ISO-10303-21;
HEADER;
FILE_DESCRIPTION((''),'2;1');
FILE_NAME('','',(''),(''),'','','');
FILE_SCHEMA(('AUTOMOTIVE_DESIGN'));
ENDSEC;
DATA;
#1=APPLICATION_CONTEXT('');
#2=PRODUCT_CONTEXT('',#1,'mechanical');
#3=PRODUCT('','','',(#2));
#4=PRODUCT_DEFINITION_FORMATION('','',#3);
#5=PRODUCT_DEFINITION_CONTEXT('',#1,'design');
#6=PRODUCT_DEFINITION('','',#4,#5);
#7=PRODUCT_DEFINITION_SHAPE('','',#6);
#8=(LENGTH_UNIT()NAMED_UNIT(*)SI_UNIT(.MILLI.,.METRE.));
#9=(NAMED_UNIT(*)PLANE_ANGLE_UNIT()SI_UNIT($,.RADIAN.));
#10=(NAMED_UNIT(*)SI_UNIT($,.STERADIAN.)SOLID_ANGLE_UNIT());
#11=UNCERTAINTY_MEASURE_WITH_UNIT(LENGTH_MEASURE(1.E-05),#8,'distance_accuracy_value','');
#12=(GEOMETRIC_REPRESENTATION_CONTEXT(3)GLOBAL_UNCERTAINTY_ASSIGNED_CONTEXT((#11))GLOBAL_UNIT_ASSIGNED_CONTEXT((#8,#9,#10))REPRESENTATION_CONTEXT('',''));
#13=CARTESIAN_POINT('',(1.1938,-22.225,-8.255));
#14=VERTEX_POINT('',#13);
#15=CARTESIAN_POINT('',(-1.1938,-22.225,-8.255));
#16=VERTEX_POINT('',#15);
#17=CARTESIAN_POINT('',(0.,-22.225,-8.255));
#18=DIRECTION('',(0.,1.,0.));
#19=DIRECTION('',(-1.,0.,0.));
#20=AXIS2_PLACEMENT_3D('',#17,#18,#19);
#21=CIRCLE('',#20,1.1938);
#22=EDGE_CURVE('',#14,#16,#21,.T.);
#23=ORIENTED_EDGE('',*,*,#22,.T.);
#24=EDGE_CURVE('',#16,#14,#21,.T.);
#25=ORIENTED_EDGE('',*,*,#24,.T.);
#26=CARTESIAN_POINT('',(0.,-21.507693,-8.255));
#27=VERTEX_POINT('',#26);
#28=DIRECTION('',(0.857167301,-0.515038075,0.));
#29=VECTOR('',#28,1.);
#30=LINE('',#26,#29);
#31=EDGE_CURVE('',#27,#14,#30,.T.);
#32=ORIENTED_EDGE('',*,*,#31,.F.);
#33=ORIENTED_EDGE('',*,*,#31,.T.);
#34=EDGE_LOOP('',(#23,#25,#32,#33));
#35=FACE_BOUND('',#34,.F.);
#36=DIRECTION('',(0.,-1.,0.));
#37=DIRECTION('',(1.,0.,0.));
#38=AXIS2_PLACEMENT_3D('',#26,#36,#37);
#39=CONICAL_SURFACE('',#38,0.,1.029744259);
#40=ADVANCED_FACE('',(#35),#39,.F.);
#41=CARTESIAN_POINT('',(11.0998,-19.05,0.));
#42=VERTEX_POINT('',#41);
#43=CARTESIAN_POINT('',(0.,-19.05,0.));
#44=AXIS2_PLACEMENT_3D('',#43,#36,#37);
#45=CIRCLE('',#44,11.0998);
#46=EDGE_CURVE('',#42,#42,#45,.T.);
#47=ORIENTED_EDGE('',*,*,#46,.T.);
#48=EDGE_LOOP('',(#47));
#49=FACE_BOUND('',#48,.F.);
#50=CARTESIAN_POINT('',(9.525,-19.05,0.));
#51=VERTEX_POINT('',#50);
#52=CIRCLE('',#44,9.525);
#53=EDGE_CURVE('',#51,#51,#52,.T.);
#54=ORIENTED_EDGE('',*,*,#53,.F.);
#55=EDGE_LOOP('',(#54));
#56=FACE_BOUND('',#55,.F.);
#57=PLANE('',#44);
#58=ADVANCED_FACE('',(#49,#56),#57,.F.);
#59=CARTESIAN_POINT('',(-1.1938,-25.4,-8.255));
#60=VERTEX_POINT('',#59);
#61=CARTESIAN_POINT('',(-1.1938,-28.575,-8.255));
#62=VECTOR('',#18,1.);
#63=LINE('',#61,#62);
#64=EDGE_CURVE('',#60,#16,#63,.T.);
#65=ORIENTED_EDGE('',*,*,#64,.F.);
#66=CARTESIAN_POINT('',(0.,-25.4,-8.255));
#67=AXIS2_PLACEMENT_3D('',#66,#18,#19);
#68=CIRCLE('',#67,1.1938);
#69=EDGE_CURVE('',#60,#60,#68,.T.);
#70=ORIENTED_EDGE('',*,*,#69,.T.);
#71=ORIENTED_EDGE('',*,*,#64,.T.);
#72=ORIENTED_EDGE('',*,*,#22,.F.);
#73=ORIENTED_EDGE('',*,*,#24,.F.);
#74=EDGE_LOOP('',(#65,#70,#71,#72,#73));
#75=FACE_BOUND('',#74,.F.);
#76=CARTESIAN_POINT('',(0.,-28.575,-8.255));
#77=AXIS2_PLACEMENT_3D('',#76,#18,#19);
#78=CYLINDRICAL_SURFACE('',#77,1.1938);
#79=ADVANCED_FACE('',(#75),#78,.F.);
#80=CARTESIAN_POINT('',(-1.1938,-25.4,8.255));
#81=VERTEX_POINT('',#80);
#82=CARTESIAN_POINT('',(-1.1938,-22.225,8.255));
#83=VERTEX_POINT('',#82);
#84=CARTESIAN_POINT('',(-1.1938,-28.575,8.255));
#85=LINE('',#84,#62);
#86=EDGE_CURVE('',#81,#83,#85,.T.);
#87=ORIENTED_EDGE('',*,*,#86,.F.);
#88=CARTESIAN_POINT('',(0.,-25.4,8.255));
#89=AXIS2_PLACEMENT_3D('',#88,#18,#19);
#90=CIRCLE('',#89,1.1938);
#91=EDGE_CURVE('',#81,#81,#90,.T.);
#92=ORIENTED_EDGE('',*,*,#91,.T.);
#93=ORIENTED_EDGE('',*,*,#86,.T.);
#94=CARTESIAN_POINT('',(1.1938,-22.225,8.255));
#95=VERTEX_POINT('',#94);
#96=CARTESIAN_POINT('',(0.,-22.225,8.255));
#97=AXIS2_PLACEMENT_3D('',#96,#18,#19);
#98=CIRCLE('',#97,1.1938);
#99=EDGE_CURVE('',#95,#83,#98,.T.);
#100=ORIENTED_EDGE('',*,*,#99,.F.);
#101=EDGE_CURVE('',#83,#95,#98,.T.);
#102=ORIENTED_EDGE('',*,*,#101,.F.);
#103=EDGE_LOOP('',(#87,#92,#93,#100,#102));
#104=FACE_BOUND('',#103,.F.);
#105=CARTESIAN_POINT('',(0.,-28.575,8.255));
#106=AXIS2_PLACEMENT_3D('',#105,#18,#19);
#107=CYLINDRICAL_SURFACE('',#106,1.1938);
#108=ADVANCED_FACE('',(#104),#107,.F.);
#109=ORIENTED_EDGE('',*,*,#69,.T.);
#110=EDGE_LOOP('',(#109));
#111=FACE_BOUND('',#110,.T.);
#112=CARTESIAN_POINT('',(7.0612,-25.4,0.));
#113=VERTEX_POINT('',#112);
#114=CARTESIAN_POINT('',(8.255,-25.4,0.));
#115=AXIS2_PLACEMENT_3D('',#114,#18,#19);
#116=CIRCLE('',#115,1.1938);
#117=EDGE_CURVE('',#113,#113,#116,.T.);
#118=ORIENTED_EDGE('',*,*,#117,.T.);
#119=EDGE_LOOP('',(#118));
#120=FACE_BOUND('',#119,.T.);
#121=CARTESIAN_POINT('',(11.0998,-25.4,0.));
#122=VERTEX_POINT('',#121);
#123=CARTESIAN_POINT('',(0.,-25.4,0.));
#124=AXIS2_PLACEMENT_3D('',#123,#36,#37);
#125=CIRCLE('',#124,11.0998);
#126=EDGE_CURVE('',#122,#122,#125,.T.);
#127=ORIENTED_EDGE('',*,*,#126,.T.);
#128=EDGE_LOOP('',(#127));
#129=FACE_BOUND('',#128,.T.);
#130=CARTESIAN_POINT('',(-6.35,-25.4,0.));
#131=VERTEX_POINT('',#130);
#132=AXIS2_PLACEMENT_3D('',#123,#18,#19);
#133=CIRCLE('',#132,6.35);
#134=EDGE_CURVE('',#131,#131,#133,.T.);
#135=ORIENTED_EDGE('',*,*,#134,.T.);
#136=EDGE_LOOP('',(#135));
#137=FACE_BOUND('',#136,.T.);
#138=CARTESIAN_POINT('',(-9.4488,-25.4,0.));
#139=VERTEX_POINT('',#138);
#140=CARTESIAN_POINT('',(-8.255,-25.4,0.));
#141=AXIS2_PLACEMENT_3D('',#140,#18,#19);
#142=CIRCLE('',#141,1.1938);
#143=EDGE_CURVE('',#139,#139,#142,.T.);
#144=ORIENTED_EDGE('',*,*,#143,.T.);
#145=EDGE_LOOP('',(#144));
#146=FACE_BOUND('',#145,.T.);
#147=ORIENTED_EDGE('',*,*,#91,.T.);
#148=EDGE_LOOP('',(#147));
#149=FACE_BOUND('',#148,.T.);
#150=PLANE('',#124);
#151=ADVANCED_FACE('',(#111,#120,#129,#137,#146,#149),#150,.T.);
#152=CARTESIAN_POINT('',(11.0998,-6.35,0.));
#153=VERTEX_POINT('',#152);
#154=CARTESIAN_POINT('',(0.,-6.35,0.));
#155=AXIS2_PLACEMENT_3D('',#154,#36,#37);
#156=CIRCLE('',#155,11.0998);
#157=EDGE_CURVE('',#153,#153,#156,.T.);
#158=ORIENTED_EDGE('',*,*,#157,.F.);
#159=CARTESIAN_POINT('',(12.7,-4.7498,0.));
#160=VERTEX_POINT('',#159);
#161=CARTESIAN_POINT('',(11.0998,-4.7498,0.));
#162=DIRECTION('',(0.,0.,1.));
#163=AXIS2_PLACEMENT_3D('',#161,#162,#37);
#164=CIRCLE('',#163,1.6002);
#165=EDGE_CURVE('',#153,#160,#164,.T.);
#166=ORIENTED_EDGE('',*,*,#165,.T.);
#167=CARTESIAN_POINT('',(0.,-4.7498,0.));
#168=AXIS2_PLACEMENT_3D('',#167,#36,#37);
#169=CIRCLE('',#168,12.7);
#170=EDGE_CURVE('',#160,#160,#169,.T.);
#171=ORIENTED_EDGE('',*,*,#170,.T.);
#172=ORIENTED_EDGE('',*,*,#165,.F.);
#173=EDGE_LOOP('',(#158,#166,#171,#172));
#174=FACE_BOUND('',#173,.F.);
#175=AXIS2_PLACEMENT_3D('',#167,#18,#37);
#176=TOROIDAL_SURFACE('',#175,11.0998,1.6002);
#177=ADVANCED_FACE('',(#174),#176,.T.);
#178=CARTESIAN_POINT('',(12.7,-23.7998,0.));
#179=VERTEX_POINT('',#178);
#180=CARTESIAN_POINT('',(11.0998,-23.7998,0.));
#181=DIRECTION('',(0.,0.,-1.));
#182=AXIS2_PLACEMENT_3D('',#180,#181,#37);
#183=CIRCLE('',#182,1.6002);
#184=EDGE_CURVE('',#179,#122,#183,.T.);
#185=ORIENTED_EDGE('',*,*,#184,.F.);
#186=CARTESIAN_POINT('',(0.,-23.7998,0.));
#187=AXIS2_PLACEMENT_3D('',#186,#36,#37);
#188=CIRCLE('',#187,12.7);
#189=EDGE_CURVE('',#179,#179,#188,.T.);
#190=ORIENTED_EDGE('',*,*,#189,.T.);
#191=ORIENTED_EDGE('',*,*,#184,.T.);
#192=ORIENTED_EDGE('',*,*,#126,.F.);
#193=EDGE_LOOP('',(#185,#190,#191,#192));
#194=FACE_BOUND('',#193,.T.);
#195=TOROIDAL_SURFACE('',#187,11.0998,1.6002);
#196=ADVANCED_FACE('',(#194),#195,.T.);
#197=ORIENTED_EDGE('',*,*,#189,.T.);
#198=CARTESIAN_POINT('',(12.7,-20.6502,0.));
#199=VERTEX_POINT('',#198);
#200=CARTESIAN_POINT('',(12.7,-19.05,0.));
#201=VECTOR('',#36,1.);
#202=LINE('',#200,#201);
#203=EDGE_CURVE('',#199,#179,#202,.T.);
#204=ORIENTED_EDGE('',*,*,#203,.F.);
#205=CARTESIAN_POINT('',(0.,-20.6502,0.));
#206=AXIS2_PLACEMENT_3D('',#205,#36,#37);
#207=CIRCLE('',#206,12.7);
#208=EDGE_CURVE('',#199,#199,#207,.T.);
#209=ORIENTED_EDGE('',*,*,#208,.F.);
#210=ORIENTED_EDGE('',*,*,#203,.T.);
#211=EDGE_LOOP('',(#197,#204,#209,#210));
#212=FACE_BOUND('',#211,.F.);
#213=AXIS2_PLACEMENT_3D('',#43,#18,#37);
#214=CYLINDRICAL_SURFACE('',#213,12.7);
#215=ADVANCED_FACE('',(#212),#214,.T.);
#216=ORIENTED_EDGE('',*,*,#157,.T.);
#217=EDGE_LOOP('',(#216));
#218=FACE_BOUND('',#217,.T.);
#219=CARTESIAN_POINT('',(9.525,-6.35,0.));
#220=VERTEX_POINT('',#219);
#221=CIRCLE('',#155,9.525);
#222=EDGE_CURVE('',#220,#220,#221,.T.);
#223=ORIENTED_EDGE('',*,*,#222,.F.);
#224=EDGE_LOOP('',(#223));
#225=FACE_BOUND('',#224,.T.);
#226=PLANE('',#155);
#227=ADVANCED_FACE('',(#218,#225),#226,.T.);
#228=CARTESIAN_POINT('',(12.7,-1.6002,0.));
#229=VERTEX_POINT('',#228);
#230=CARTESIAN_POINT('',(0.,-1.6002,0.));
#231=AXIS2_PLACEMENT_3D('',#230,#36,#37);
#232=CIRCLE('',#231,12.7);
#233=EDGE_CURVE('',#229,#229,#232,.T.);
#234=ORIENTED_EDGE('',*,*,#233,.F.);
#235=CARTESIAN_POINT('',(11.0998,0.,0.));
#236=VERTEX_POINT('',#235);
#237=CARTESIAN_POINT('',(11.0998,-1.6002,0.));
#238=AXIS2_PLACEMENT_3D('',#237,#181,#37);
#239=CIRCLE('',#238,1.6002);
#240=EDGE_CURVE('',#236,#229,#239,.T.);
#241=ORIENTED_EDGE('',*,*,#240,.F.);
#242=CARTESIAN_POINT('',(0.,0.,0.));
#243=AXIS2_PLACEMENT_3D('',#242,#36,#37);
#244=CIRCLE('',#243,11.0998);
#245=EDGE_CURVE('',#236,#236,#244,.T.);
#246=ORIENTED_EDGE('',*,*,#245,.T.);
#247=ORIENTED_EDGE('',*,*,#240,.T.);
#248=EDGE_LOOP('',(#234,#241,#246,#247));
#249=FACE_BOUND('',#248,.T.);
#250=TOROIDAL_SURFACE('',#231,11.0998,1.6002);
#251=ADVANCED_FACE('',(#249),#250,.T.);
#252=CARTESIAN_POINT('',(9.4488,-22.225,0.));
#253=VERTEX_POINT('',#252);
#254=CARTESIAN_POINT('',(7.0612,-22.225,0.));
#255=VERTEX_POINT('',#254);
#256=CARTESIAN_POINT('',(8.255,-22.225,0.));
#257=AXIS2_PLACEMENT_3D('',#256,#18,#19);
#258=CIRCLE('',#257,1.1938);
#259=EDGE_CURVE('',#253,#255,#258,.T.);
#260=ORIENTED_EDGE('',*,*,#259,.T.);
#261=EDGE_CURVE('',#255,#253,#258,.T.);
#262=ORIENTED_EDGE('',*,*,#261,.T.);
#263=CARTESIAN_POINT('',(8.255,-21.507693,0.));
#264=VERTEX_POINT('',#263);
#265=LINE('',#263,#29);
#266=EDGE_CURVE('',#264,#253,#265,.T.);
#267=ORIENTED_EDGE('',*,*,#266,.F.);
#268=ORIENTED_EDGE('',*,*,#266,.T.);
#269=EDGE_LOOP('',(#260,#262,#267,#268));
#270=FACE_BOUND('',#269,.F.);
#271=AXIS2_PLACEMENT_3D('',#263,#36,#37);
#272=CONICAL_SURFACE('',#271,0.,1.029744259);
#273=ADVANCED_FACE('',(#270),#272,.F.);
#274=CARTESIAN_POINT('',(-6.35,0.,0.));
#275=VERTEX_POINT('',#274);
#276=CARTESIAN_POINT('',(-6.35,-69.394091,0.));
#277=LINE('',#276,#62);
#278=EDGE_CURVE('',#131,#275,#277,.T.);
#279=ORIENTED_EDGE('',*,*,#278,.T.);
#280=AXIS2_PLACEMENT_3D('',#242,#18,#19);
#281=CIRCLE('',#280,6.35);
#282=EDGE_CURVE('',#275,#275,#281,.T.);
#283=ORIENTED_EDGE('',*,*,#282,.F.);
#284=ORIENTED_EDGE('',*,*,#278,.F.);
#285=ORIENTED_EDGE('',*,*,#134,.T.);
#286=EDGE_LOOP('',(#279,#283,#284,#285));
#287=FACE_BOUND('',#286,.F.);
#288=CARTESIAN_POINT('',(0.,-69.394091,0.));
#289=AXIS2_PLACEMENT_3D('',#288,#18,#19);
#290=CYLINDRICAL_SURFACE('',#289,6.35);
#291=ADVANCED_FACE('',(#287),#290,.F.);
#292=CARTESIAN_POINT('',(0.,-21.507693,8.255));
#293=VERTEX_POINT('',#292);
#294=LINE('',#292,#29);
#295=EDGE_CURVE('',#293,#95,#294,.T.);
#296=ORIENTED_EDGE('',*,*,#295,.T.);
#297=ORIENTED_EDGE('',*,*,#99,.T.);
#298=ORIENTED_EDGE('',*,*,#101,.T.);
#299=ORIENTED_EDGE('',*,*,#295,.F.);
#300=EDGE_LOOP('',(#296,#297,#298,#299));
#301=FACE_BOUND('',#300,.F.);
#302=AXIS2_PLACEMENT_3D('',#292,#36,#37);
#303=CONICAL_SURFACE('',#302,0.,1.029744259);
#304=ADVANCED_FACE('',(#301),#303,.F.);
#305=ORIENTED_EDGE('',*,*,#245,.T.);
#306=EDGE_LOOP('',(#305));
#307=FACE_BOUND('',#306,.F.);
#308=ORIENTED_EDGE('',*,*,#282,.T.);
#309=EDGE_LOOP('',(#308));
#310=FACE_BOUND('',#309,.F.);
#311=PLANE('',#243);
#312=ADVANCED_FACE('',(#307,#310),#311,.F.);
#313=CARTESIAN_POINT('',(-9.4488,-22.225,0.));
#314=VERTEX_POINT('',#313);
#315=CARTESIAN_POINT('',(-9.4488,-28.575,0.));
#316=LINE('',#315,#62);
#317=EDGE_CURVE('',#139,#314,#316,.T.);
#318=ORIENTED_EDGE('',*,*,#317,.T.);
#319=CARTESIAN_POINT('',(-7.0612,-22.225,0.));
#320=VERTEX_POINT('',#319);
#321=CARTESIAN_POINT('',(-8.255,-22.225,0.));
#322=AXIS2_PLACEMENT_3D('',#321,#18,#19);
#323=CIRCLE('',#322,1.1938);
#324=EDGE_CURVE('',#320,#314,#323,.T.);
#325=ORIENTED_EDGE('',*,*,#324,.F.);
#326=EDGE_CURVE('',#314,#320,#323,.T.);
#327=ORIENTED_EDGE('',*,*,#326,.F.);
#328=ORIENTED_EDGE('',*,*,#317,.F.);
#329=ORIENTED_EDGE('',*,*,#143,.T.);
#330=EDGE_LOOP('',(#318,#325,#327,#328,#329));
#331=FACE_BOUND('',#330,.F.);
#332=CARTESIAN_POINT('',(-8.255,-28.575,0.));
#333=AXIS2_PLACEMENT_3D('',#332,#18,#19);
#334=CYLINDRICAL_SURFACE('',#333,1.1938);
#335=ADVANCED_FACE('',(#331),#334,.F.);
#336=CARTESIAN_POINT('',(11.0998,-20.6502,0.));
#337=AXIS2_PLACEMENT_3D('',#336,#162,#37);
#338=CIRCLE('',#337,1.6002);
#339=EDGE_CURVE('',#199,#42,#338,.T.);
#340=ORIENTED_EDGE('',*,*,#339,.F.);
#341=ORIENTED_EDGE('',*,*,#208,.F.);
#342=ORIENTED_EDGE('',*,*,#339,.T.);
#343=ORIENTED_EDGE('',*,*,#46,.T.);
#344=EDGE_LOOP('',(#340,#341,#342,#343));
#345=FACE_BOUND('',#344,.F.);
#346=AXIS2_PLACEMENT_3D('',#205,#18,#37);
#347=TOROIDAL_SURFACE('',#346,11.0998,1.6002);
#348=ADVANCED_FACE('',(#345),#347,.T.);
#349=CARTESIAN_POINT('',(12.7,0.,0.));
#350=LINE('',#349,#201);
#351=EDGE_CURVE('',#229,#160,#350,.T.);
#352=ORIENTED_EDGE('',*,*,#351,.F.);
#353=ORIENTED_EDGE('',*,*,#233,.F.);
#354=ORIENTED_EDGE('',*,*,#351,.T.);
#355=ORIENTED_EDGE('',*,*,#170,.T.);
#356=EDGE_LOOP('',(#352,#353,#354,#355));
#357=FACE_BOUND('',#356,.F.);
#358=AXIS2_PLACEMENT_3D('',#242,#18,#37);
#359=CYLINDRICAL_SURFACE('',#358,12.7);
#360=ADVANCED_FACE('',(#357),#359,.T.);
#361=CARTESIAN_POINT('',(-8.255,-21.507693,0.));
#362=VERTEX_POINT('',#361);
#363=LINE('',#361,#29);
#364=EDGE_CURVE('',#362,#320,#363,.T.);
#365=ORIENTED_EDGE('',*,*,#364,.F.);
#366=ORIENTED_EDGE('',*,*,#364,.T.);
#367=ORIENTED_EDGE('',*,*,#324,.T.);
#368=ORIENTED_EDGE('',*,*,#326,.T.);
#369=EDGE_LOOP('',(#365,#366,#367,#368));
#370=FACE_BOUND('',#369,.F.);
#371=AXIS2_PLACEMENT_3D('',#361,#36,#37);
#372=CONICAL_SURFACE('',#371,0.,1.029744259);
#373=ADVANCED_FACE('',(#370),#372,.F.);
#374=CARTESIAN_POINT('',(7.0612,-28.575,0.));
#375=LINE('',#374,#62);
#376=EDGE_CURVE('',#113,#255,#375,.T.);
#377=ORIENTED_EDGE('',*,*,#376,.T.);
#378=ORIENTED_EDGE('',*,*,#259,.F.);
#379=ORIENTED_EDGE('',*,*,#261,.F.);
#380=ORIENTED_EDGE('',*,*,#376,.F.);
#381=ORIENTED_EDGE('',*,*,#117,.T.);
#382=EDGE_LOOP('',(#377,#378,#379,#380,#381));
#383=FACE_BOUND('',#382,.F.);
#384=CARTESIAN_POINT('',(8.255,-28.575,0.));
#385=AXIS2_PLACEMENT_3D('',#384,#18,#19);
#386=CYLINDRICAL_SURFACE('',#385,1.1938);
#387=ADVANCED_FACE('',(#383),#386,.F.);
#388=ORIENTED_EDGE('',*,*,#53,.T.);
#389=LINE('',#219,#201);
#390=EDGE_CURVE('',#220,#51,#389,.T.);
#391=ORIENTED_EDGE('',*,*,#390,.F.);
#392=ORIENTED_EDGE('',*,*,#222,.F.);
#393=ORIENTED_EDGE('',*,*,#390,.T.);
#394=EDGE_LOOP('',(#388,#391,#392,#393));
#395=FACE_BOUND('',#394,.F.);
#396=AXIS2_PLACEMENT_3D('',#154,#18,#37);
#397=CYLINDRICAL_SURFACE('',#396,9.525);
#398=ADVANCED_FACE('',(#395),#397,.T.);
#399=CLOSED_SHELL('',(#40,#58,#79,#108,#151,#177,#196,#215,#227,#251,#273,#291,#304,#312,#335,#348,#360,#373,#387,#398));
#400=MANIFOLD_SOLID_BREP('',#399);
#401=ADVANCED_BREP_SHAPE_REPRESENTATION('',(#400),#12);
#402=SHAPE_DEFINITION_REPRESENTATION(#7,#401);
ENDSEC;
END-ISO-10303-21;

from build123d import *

# Parameters (mm, degrees)
F0_R     = 12.7
F1_DEPTH = 6.35
F2_R     = 9.525
F3_DEPTH = 12.7
F4_R     = 12.7
F5_DEPTH = 6.35
F7_D     = 12.7
F9_D     = 2.3876
F9_DEPTH = 3.175
F9_TIP   = 0.717307407
F10_R    = 1.6002


with BuildPart() as f1:
    # F0 (on Front) → F1 (new body)
    with BuildSketch(Plane.XZ):
        Circle(F0_R)
    extrude(amount=F1_DEPTH)

    # F2 (on face) → F3 (join)
    with BuildSketch(Plane.XZ.offset(6.35)):
        Circle(F2_R)
    extrude(amount=F3_DEPTH)

    # F4 (on face) → F5 (join)
    with BuildSketch(Plane.XZ.offset(19.05)):
        Circle(F4_R)
    extrude(amount=F5_DEPTH)

    # F7 (through all)
    with Locations(Plane.XZ.offset(25.4)):
        with Locations((0, 0)):
            Hole(F7_D / 2)

    # F9
    with Locations(Plane.XZ.offset(25.4)):
        with Locations((0, 8.255), (8.255, 0), (0, -8.255), (-8.255, 0)):
            Hole(F9_D / 2, depth=F9_DEPTH)
            with Locations((0, 0, -(F9_DEPTH + F9_TIP / 2))):  # 118° drill point
                Cone(0, F9_D / 2, F9_TIP, mode=Mode.SUBTRACT)

    # F10
    f10_edges = [f1.edges().sort_by_distance(p)[0] for p in [
        (-12.7, 0, 0),
        (-12.7, -19.05, 0),
        (-12.7, -25.4, 0),
        (-12.7, -6.35, 0),
    ]]
    fillet(f10_edges, radius=F10_R)


solid = f1.part
